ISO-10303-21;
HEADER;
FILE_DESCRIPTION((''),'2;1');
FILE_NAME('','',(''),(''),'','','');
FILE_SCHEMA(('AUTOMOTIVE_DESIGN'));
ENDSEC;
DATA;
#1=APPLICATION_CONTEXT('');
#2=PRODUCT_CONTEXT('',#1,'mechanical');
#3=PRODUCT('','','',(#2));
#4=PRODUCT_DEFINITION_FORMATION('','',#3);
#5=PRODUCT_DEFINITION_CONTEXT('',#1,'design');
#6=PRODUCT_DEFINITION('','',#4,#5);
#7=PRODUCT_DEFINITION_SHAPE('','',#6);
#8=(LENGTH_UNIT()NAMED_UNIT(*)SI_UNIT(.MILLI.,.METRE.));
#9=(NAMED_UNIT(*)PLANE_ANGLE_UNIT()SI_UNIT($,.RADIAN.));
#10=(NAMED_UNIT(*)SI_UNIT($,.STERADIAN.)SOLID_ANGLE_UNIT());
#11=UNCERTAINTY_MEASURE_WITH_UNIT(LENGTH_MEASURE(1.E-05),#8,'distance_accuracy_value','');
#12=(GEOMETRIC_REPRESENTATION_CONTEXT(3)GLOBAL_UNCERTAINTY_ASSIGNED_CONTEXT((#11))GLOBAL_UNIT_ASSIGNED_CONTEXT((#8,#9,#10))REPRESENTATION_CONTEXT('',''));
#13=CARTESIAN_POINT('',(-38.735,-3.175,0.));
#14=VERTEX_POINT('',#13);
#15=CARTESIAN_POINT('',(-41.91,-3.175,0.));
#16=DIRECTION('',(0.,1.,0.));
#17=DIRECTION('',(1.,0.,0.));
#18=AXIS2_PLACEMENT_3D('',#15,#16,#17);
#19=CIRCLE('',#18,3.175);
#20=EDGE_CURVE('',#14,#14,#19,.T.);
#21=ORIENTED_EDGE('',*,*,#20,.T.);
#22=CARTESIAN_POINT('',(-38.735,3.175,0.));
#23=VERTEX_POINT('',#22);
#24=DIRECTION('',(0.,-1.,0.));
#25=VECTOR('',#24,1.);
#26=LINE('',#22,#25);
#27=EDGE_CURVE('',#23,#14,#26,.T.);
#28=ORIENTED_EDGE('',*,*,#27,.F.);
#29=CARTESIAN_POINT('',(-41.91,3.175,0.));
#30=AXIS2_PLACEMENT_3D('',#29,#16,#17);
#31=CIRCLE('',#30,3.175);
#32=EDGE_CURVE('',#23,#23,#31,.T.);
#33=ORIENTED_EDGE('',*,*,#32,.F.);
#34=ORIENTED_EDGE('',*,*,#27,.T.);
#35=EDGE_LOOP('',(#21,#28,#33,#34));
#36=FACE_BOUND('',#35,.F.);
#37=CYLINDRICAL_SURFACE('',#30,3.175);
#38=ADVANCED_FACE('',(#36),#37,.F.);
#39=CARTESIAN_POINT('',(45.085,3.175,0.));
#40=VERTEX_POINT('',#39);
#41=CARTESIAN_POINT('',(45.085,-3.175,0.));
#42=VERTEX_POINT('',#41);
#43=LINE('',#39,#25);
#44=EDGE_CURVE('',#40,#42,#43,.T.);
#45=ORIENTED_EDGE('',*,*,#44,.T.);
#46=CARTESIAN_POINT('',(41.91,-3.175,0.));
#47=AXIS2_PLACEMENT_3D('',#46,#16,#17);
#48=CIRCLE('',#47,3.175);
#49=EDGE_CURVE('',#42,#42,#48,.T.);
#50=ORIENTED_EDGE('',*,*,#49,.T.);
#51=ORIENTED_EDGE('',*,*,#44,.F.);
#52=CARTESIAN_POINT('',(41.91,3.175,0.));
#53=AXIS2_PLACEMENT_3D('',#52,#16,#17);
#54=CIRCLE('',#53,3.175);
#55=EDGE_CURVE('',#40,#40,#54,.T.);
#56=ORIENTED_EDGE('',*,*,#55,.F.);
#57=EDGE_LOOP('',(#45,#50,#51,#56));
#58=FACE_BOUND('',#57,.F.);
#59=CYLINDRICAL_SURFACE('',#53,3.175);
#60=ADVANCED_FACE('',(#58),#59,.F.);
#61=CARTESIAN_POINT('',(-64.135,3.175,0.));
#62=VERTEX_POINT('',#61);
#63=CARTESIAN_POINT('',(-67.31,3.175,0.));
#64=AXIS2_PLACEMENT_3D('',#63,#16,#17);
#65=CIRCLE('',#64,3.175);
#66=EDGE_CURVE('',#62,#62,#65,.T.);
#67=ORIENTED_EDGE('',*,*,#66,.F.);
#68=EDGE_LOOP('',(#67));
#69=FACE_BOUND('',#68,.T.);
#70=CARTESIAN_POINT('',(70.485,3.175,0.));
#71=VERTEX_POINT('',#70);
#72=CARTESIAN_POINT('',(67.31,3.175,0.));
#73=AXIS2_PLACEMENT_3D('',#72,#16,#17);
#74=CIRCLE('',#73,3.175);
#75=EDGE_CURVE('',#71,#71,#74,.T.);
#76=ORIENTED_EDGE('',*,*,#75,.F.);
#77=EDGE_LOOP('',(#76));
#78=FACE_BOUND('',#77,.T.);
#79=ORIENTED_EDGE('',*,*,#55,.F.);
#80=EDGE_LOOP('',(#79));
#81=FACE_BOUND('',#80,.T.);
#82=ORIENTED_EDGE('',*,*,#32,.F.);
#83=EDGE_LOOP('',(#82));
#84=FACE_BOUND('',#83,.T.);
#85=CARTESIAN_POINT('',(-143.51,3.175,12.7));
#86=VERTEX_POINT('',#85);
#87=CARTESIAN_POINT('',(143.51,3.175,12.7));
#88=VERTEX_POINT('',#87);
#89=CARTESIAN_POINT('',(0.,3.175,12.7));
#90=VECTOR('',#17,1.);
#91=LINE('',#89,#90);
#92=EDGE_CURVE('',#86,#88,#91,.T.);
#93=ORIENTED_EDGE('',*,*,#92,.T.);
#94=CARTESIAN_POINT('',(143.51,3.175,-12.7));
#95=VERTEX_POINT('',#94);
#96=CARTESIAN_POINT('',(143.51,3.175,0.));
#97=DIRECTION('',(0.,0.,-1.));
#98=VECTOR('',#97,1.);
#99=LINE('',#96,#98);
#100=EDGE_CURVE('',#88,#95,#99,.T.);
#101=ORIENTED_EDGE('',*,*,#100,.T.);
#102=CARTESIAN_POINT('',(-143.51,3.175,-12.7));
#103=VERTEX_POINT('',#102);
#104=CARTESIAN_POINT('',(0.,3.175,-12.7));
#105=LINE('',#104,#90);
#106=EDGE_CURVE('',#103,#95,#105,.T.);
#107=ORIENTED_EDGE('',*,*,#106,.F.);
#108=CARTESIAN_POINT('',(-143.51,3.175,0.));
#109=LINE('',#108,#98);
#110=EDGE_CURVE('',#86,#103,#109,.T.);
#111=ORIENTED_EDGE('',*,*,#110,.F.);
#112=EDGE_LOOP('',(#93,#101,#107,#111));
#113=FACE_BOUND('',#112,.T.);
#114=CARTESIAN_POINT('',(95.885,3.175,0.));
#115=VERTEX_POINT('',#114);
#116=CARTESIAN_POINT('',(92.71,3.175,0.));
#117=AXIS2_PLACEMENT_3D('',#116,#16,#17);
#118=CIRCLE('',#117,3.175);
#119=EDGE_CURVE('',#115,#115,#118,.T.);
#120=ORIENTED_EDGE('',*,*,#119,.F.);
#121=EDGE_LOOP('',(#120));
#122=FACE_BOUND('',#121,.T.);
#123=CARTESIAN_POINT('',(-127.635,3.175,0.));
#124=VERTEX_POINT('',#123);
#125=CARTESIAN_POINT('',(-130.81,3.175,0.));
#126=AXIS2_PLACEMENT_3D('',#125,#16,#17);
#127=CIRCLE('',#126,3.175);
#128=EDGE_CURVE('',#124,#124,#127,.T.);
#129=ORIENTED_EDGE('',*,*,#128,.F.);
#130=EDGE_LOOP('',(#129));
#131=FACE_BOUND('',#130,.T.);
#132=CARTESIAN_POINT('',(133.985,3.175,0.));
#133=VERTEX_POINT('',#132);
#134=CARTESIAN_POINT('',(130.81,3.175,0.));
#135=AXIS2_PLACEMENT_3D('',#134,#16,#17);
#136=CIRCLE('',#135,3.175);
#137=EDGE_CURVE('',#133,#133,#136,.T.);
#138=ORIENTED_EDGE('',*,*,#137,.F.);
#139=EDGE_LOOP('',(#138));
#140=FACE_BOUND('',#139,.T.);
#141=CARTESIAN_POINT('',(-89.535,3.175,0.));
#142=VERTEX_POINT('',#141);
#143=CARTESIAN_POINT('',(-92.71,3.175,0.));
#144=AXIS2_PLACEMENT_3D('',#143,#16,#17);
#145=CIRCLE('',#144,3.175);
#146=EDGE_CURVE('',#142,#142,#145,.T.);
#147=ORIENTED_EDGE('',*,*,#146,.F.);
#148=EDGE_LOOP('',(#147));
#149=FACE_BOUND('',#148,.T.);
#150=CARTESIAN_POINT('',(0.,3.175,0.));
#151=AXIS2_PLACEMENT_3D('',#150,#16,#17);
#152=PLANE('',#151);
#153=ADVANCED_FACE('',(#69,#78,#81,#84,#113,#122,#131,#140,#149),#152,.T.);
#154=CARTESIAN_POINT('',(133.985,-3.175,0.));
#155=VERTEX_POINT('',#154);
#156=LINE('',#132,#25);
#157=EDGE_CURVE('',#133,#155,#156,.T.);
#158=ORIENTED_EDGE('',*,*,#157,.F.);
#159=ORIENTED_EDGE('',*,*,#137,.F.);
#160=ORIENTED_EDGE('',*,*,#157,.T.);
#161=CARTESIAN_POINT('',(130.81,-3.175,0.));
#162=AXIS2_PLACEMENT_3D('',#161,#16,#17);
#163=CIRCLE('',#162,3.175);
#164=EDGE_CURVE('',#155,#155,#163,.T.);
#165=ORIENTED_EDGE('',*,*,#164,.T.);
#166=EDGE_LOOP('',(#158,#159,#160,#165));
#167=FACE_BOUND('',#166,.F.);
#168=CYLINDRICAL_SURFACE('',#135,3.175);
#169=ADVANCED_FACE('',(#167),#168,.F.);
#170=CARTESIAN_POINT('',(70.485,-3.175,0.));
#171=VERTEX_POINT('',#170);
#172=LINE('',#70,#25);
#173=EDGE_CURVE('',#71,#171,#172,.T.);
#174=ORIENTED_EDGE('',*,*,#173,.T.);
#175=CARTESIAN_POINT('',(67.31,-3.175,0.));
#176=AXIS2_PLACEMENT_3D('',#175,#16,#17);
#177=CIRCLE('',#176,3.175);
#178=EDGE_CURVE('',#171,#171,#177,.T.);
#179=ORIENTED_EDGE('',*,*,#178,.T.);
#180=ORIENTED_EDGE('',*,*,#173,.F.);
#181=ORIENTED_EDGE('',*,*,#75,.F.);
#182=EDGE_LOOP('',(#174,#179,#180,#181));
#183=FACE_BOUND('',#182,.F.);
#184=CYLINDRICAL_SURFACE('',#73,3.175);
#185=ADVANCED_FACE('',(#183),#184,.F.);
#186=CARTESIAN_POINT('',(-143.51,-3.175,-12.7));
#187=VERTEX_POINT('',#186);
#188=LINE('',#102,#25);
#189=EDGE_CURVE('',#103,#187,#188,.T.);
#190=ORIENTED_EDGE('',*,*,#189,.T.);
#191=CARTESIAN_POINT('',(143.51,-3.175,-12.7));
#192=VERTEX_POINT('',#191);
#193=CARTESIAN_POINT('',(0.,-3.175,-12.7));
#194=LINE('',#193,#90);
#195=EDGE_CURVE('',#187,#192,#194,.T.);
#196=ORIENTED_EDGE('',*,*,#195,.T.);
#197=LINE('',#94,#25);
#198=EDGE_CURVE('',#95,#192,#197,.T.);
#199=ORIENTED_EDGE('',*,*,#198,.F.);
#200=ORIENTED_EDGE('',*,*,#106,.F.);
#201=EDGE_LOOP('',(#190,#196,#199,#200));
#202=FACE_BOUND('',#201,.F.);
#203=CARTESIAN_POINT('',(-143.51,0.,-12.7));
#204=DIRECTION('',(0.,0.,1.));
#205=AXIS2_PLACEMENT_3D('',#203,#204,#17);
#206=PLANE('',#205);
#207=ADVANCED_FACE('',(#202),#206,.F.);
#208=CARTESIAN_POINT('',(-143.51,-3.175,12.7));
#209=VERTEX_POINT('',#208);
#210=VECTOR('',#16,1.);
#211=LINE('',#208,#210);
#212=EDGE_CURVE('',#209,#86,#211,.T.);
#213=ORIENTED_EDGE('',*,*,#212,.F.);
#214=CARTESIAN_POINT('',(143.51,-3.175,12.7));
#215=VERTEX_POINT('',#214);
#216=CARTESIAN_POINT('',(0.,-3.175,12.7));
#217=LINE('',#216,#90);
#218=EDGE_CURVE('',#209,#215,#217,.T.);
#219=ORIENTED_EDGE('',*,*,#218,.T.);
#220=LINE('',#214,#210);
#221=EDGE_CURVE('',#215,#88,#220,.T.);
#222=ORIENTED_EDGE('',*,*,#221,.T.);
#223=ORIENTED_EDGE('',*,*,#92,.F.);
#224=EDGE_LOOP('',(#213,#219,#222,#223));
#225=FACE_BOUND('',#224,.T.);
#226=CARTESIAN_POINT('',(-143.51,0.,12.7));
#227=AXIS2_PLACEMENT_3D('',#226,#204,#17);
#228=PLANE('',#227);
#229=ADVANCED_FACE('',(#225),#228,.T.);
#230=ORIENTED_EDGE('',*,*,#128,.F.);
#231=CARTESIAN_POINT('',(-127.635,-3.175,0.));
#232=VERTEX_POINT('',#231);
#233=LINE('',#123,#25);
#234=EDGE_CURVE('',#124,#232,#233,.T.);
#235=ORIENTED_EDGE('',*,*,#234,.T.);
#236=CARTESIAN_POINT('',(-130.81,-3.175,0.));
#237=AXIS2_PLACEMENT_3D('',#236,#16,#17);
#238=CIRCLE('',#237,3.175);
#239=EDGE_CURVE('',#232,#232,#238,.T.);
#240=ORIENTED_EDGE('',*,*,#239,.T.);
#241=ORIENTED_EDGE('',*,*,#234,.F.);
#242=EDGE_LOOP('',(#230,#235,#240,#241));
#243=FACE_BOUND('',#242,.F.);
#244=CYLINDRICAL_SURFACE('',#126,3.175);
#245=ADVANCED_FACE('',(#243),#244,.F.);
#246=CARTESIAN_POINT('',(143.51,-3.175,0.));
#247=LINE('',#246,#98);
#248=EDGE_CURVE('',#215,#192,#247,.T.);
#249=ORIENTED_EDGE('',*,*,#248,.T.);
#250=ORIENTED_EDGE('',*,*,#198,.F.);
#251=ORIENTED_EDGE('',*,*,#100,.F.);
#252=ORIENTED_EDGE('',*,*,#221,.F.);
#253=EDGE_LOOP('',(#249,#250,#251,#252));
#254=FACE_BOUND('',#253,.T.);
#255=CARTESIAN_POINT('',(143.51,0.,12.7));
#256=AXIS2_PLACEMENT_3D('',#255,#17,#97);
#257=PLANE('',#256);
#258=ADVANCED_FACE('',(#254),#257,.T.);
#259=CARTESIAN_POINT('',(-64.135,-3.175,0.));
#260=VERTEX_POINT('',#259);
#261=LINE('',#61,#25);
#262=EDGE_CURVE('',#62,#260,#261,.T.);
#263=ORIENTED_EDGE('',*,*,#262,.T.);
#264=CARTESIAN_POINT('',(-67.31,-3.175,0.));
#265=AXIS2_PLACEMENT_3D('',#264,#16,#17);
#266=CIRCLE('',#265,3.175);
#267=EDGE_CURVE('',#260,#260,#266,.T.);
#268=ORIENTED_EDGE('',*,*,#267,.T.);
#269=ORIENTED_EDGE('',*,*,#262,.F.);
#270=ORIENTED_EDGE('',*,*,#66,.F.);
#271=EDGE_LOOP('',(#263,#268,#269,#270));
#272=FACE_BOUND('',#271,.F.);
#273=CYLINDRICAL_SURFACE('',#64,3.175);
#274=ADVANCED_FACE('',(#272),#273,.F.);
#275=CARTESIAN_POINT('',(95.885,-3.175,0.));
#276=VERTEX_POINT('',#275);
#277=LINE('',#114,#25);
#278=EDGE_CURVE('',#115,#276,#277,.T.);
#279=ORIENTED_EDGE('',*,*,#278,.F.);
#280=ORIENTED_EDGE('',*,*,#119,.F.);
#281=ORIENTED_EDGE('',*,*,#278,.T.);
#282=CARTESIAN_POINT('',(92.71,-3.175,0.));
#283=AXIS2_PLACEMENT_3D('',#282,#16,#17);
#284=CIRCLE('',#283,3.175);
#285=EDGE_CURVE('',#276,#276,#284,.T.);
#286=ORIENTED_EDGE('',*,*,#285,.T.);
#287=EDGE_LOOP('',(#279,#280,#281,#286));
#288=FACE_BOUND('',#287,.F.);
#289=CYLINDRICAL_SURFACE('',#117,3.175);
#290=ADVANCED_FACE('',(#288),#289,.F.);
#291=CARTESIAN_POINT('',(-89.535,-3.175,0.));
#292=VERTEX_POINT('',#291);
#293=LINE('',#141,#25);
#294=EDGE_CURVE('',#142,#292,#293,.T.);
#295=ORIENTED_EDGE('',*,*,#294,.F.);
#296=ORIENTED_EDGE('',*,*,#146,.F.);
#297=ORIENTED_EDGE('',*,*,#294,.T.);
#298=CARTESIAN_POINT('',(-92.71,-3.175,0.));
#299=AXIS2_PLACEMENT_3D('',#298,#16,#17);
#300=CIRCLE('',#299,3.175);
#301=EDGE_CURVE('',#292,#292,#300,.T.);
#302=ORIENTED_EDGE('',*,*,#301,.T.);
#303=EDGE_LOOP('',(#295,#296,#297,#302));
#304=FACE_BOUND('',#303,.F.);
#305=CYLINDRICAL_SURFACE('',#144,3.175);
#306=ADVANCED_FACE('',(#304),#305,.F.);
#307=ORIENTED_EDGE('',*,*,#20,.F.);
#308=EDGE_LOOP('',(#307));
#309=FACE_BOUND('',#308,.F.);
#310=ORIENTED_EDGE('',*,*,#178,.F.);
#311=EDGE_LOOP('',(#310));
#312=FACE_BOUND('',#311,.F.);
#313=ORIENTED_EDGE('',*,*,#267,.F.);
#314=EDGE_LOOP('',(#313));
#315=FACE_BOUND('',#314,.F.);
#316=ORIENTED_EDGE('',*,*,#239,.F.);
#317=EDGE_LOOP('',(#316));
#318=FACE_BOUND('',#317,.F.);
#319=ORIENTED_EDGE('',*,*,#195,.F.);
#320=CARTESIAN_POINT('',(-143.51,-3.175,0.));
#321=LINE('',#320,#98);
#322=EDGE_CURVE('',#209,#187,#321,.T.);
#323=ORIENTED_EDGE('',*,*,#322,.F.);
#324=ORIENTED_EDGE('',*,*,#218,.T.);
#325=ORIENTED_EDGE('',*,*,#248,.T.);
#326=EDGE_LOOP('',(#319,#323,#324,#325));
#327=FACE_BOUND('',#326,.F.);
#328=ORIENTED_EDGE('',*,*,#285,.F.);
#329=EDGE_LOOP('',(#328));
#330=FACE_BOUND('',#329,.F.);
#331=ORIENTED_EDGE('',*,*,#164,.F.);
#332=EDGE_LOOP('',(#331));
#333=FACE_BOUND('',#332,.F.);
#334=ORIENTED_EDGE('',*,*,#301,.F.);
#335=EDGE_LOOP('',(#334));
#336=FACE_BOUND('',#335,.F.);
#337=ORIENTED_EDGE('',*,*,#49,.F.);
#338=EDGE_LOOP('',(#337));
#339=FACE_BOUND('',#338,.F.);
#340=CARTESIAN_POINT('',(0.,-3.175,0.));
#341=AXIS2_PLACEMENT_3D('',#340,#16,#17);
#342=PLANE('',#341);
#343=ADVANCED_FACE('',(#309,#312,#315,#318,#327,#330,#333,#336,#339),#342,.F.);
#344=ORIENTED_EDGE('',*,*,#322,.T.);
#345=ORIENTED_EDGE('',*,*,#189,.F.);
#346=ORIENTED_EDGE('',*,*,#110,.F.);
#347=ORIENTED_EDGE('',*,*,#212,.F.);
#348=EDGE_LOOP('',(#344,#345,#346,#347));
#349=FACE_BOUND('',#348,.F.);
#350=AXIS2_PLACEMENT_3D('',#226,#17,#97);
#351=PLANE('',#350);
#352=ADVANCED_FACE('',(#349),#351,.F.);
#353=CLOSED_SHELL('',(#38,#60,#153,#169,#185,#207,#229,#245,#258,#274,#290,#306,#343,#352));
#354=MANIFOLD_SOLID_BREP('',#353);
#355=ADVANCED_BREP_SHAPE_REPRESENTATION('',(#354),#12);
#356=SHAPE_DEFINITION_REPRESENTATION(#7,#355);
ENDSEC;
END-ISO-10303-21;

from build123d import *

# Parameters (mm, degrees)
SKETCH1_W               = 287.02
SKETCH1_H               = 25.4
BOSS_EXTRUDE1_DEPTH     = 3.175
SKETCH2_R               = 3.175
CUT_EXTRUDE1_DEPTH      = 1
CUT_EXTRUDE1_DEPTH_BACK = 7.35


with BuildPart() as part:
    # Sketch1 → Boss-Extrude1 (new body, symmetric)
    with BuildSketch(Plane(origin=(0, 0, 0), x_dir=(1, 0, 0), z_dir=(0, 1, 0))):
        Rectangle(SKETCH1_W, SKETCH1_H)
    extrude(amount=BOSS_EXTRUDE1_DEPTH, both=True)

    # Sketch2 → Cut-Extrude1 (cut, two sides)
    with BuildSketch(Plane(origin=(0, 3.175, 0), x_dir=(1, 0, 0), z_dir=(0, 1, 0))) as cut_extrude1_sk:
        with Locations((-130.81, 0)):
            Circle(SKETCH2_R)
        with Locations((-41.91, 0)):
            Circle(SKETCH2_R)
        with Locations((130.81, 0)):
            Circle(SKETCH2_R)
        with Locations((41.91, 0)):
            Circle(SKETCH2_R)
        with Locations((-92.71, 0)):
            Circle(SKETCH2_R)
        with Locations((-67.31, 0)):
            Circle(SKETCH2_R)
        with Locations((67.31, 0)):
            Circle(SKETCH2_R)
        with Locations((92.71, 0)):
            Circle(SKETCH2_R)
    extrude(amount=CUT_EXTRUDE1_DEPTH, mode=Mode.SUBTRACT)
    extrude(cut_extrude1_sk.sketch, amount=-CUT_EXTRUDE1_DEPTH_BACK, mode=Mode.SUBTRACT)


solid = part.part
